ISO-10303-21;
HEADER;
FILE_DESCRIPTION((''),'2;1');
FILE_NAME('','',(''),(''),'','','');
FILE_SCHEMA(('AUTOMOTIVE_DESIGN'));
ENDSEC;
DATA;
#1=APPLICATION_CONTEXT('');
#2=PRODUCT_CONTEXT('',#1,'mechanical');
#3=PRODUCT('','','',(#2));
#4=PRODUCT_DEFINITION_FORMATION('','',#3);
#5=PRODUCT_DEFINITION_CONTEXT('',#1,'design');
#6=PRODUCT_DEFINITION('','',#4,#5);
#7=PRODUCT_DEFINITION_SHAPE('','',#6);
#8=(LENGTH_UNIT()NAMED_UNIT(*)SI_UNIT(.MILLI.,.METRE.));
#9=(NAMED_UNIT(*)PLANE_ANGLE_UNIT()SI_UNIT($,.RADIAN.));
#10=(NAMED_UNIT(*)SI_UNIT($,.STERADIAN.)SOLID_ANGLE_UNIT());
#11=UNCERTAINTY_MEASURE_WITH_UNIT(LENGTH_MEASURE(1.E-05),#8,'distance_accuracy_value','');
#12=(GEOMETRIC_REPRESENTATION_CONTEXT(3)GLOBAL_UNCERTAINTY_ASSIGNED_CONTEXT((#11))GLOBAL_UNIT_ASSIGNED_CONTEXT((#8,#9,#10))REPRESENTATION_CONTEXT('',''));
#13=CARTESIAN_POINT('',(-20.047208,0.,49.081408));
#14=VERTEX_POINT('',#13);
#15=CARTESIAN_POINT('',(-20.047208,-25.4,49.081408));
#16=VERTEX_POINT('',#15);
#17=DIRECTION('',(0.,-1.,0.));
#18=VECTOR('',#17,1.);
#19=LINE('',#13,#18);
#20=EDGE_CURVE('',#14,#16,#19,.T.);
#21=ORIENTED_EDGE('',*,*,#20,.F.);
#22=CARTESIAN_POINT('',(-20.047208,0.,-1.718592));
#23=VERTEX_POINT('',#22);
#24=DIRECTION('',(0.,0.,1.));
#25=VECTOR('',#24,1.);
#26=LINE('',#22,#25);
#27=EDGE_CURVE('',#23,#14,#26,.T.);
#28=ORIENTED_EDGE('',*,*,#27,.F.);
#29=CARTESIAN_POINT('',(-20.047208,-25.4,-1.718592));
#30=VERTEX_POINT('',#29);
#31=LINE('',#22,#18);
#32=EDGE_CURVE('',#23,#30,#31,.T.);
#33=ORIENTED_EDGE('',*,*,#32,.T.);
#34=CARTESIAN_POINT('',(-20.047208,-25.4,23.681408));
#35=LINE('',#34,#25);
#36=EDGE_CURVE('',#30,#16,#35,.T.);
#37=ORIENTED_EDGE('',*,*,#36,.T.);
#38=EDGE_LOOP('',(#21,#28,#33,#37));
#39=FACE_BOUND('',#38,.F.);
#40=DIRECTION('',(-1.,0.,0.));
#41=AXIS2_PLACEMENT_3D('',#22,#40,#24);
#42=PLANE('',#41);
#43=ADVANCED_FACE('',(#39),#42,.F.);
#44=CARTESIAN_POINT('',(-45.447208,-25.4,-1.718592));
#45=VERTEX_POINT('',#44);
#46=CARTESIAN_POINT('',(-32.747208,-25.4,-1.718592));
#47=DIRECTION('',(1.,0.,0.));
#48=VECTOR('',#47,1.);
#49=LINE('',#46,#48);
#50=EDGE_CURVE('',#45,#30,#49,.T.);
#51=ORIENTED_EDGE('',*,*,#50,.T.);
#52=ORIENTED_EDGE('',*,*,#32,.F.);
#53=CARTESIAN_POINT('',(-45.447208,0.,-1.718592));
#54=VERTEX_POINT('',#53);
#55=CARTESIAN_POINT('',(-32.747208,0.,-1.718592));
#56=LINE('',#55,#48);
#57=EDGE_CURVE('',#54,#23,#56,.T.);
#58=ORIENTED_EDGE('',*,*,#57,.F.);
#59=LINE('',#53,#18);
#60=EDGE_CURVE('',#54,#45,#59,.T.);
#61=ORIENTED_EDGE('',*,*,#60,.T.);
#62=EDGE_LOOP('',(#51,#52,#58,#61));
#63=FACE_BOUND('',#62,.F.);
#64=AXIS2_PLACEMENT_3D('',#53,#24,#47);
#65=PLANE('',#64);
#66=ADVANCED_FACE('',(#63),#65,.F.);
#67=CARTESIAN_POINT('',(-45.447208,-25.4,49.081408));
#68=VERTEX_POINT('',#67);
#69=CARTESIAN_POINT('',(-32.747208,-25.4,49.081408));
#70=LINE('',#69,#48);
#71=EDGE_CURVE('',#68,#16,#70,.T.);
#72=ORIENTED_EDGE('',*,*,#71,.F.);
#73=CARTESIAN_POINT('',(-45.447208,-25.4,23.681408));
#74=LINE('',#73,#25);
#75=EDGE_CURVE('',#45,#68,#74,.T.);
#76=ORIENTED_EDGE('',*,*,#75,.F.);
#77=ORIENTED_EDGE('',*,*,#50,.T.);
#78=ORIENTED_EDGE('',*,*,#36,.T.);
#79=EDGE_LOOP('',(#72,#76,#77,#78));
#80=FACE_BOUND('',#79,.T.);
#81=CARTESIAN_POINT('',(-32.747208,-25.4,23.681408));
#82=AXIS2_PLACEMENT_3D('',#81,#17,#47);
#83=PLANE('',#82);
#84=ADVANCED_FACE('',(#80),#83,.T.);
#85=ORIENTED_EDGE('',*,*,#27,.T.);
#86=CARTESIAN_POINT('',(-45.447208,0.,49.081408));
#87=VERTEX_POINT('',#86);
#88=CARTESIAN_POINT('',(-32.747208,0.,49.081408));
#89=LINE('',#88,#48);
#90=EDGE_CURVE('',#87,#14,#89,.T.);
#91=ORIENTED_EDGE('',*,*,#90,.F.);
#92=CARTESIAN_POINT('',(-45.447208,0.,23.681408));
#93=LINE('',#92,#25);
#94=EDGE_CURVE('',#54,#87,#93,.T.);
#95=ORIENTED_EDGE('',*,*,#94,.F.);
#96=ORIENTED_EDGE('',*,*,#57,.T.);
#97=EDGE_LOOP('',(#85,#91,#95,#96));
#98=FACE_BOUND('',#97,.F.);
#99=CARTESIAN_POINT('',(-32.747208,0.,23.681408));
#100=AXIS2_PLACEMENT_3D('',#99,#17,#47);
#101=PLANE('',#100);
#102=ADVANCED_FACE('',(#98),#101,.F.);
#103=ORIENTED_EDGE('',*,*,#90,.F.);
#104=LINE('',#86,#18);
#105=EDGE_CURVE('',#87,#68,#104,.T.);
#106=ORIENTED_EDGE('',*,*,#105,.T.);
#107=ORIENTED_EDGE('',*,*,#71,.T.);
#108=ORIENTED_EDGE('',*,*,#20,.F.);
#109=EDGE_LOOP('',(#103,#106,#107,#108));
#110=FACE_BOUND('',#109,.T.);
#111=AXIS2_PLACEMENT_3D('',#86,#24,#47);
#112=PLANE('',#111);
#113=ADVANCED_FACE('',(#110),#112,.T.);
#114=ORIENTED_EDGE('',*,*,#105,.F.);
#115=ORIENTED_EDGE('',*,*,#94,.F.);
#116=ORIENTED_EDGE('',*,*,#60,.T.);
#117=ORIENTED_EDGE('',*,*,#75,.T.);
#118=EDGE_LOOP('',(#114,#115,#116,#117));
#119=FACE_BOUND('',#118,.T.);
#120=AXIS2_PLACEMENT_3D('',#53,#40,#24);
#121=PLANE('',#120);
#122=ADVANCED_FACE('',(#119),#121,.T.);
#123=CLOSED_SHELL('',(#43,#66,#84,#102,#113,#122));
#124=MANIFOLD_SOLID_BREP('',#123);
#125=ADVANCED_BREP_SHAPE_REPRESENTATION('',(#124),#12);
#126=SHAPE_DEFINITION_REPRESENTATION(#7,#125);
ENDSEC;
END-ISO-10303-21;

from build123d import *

# Parameters (mm, degrees)
F0_W     = 25.4
F0_H     = 50.8
F1_DEPTH = 25.4
F2_W     = 25.4
F2_H     = 25.4
F3_DEPTH = 25.4


with BuildPart() as f1:
    # F0 (on Front) → F1 (new body)
    with BuildSketch(Plane.XZ):
        with Locations((-32.747208, 23.681408)):
            Rectangle(F0_W, F0_H)
    extrude(amount=F1_DEPTH)

    # F2 (on Front) → F3 (cut)
    with BuildSketch(Plane.XZ):
        with Locations((-32.365299, 12.7)):
            Rectangle(F2_W, F2_H)
    extrude(amount=-F3_DEPTH, mode=Mode.SUBTRACT)


solid = f1.part
